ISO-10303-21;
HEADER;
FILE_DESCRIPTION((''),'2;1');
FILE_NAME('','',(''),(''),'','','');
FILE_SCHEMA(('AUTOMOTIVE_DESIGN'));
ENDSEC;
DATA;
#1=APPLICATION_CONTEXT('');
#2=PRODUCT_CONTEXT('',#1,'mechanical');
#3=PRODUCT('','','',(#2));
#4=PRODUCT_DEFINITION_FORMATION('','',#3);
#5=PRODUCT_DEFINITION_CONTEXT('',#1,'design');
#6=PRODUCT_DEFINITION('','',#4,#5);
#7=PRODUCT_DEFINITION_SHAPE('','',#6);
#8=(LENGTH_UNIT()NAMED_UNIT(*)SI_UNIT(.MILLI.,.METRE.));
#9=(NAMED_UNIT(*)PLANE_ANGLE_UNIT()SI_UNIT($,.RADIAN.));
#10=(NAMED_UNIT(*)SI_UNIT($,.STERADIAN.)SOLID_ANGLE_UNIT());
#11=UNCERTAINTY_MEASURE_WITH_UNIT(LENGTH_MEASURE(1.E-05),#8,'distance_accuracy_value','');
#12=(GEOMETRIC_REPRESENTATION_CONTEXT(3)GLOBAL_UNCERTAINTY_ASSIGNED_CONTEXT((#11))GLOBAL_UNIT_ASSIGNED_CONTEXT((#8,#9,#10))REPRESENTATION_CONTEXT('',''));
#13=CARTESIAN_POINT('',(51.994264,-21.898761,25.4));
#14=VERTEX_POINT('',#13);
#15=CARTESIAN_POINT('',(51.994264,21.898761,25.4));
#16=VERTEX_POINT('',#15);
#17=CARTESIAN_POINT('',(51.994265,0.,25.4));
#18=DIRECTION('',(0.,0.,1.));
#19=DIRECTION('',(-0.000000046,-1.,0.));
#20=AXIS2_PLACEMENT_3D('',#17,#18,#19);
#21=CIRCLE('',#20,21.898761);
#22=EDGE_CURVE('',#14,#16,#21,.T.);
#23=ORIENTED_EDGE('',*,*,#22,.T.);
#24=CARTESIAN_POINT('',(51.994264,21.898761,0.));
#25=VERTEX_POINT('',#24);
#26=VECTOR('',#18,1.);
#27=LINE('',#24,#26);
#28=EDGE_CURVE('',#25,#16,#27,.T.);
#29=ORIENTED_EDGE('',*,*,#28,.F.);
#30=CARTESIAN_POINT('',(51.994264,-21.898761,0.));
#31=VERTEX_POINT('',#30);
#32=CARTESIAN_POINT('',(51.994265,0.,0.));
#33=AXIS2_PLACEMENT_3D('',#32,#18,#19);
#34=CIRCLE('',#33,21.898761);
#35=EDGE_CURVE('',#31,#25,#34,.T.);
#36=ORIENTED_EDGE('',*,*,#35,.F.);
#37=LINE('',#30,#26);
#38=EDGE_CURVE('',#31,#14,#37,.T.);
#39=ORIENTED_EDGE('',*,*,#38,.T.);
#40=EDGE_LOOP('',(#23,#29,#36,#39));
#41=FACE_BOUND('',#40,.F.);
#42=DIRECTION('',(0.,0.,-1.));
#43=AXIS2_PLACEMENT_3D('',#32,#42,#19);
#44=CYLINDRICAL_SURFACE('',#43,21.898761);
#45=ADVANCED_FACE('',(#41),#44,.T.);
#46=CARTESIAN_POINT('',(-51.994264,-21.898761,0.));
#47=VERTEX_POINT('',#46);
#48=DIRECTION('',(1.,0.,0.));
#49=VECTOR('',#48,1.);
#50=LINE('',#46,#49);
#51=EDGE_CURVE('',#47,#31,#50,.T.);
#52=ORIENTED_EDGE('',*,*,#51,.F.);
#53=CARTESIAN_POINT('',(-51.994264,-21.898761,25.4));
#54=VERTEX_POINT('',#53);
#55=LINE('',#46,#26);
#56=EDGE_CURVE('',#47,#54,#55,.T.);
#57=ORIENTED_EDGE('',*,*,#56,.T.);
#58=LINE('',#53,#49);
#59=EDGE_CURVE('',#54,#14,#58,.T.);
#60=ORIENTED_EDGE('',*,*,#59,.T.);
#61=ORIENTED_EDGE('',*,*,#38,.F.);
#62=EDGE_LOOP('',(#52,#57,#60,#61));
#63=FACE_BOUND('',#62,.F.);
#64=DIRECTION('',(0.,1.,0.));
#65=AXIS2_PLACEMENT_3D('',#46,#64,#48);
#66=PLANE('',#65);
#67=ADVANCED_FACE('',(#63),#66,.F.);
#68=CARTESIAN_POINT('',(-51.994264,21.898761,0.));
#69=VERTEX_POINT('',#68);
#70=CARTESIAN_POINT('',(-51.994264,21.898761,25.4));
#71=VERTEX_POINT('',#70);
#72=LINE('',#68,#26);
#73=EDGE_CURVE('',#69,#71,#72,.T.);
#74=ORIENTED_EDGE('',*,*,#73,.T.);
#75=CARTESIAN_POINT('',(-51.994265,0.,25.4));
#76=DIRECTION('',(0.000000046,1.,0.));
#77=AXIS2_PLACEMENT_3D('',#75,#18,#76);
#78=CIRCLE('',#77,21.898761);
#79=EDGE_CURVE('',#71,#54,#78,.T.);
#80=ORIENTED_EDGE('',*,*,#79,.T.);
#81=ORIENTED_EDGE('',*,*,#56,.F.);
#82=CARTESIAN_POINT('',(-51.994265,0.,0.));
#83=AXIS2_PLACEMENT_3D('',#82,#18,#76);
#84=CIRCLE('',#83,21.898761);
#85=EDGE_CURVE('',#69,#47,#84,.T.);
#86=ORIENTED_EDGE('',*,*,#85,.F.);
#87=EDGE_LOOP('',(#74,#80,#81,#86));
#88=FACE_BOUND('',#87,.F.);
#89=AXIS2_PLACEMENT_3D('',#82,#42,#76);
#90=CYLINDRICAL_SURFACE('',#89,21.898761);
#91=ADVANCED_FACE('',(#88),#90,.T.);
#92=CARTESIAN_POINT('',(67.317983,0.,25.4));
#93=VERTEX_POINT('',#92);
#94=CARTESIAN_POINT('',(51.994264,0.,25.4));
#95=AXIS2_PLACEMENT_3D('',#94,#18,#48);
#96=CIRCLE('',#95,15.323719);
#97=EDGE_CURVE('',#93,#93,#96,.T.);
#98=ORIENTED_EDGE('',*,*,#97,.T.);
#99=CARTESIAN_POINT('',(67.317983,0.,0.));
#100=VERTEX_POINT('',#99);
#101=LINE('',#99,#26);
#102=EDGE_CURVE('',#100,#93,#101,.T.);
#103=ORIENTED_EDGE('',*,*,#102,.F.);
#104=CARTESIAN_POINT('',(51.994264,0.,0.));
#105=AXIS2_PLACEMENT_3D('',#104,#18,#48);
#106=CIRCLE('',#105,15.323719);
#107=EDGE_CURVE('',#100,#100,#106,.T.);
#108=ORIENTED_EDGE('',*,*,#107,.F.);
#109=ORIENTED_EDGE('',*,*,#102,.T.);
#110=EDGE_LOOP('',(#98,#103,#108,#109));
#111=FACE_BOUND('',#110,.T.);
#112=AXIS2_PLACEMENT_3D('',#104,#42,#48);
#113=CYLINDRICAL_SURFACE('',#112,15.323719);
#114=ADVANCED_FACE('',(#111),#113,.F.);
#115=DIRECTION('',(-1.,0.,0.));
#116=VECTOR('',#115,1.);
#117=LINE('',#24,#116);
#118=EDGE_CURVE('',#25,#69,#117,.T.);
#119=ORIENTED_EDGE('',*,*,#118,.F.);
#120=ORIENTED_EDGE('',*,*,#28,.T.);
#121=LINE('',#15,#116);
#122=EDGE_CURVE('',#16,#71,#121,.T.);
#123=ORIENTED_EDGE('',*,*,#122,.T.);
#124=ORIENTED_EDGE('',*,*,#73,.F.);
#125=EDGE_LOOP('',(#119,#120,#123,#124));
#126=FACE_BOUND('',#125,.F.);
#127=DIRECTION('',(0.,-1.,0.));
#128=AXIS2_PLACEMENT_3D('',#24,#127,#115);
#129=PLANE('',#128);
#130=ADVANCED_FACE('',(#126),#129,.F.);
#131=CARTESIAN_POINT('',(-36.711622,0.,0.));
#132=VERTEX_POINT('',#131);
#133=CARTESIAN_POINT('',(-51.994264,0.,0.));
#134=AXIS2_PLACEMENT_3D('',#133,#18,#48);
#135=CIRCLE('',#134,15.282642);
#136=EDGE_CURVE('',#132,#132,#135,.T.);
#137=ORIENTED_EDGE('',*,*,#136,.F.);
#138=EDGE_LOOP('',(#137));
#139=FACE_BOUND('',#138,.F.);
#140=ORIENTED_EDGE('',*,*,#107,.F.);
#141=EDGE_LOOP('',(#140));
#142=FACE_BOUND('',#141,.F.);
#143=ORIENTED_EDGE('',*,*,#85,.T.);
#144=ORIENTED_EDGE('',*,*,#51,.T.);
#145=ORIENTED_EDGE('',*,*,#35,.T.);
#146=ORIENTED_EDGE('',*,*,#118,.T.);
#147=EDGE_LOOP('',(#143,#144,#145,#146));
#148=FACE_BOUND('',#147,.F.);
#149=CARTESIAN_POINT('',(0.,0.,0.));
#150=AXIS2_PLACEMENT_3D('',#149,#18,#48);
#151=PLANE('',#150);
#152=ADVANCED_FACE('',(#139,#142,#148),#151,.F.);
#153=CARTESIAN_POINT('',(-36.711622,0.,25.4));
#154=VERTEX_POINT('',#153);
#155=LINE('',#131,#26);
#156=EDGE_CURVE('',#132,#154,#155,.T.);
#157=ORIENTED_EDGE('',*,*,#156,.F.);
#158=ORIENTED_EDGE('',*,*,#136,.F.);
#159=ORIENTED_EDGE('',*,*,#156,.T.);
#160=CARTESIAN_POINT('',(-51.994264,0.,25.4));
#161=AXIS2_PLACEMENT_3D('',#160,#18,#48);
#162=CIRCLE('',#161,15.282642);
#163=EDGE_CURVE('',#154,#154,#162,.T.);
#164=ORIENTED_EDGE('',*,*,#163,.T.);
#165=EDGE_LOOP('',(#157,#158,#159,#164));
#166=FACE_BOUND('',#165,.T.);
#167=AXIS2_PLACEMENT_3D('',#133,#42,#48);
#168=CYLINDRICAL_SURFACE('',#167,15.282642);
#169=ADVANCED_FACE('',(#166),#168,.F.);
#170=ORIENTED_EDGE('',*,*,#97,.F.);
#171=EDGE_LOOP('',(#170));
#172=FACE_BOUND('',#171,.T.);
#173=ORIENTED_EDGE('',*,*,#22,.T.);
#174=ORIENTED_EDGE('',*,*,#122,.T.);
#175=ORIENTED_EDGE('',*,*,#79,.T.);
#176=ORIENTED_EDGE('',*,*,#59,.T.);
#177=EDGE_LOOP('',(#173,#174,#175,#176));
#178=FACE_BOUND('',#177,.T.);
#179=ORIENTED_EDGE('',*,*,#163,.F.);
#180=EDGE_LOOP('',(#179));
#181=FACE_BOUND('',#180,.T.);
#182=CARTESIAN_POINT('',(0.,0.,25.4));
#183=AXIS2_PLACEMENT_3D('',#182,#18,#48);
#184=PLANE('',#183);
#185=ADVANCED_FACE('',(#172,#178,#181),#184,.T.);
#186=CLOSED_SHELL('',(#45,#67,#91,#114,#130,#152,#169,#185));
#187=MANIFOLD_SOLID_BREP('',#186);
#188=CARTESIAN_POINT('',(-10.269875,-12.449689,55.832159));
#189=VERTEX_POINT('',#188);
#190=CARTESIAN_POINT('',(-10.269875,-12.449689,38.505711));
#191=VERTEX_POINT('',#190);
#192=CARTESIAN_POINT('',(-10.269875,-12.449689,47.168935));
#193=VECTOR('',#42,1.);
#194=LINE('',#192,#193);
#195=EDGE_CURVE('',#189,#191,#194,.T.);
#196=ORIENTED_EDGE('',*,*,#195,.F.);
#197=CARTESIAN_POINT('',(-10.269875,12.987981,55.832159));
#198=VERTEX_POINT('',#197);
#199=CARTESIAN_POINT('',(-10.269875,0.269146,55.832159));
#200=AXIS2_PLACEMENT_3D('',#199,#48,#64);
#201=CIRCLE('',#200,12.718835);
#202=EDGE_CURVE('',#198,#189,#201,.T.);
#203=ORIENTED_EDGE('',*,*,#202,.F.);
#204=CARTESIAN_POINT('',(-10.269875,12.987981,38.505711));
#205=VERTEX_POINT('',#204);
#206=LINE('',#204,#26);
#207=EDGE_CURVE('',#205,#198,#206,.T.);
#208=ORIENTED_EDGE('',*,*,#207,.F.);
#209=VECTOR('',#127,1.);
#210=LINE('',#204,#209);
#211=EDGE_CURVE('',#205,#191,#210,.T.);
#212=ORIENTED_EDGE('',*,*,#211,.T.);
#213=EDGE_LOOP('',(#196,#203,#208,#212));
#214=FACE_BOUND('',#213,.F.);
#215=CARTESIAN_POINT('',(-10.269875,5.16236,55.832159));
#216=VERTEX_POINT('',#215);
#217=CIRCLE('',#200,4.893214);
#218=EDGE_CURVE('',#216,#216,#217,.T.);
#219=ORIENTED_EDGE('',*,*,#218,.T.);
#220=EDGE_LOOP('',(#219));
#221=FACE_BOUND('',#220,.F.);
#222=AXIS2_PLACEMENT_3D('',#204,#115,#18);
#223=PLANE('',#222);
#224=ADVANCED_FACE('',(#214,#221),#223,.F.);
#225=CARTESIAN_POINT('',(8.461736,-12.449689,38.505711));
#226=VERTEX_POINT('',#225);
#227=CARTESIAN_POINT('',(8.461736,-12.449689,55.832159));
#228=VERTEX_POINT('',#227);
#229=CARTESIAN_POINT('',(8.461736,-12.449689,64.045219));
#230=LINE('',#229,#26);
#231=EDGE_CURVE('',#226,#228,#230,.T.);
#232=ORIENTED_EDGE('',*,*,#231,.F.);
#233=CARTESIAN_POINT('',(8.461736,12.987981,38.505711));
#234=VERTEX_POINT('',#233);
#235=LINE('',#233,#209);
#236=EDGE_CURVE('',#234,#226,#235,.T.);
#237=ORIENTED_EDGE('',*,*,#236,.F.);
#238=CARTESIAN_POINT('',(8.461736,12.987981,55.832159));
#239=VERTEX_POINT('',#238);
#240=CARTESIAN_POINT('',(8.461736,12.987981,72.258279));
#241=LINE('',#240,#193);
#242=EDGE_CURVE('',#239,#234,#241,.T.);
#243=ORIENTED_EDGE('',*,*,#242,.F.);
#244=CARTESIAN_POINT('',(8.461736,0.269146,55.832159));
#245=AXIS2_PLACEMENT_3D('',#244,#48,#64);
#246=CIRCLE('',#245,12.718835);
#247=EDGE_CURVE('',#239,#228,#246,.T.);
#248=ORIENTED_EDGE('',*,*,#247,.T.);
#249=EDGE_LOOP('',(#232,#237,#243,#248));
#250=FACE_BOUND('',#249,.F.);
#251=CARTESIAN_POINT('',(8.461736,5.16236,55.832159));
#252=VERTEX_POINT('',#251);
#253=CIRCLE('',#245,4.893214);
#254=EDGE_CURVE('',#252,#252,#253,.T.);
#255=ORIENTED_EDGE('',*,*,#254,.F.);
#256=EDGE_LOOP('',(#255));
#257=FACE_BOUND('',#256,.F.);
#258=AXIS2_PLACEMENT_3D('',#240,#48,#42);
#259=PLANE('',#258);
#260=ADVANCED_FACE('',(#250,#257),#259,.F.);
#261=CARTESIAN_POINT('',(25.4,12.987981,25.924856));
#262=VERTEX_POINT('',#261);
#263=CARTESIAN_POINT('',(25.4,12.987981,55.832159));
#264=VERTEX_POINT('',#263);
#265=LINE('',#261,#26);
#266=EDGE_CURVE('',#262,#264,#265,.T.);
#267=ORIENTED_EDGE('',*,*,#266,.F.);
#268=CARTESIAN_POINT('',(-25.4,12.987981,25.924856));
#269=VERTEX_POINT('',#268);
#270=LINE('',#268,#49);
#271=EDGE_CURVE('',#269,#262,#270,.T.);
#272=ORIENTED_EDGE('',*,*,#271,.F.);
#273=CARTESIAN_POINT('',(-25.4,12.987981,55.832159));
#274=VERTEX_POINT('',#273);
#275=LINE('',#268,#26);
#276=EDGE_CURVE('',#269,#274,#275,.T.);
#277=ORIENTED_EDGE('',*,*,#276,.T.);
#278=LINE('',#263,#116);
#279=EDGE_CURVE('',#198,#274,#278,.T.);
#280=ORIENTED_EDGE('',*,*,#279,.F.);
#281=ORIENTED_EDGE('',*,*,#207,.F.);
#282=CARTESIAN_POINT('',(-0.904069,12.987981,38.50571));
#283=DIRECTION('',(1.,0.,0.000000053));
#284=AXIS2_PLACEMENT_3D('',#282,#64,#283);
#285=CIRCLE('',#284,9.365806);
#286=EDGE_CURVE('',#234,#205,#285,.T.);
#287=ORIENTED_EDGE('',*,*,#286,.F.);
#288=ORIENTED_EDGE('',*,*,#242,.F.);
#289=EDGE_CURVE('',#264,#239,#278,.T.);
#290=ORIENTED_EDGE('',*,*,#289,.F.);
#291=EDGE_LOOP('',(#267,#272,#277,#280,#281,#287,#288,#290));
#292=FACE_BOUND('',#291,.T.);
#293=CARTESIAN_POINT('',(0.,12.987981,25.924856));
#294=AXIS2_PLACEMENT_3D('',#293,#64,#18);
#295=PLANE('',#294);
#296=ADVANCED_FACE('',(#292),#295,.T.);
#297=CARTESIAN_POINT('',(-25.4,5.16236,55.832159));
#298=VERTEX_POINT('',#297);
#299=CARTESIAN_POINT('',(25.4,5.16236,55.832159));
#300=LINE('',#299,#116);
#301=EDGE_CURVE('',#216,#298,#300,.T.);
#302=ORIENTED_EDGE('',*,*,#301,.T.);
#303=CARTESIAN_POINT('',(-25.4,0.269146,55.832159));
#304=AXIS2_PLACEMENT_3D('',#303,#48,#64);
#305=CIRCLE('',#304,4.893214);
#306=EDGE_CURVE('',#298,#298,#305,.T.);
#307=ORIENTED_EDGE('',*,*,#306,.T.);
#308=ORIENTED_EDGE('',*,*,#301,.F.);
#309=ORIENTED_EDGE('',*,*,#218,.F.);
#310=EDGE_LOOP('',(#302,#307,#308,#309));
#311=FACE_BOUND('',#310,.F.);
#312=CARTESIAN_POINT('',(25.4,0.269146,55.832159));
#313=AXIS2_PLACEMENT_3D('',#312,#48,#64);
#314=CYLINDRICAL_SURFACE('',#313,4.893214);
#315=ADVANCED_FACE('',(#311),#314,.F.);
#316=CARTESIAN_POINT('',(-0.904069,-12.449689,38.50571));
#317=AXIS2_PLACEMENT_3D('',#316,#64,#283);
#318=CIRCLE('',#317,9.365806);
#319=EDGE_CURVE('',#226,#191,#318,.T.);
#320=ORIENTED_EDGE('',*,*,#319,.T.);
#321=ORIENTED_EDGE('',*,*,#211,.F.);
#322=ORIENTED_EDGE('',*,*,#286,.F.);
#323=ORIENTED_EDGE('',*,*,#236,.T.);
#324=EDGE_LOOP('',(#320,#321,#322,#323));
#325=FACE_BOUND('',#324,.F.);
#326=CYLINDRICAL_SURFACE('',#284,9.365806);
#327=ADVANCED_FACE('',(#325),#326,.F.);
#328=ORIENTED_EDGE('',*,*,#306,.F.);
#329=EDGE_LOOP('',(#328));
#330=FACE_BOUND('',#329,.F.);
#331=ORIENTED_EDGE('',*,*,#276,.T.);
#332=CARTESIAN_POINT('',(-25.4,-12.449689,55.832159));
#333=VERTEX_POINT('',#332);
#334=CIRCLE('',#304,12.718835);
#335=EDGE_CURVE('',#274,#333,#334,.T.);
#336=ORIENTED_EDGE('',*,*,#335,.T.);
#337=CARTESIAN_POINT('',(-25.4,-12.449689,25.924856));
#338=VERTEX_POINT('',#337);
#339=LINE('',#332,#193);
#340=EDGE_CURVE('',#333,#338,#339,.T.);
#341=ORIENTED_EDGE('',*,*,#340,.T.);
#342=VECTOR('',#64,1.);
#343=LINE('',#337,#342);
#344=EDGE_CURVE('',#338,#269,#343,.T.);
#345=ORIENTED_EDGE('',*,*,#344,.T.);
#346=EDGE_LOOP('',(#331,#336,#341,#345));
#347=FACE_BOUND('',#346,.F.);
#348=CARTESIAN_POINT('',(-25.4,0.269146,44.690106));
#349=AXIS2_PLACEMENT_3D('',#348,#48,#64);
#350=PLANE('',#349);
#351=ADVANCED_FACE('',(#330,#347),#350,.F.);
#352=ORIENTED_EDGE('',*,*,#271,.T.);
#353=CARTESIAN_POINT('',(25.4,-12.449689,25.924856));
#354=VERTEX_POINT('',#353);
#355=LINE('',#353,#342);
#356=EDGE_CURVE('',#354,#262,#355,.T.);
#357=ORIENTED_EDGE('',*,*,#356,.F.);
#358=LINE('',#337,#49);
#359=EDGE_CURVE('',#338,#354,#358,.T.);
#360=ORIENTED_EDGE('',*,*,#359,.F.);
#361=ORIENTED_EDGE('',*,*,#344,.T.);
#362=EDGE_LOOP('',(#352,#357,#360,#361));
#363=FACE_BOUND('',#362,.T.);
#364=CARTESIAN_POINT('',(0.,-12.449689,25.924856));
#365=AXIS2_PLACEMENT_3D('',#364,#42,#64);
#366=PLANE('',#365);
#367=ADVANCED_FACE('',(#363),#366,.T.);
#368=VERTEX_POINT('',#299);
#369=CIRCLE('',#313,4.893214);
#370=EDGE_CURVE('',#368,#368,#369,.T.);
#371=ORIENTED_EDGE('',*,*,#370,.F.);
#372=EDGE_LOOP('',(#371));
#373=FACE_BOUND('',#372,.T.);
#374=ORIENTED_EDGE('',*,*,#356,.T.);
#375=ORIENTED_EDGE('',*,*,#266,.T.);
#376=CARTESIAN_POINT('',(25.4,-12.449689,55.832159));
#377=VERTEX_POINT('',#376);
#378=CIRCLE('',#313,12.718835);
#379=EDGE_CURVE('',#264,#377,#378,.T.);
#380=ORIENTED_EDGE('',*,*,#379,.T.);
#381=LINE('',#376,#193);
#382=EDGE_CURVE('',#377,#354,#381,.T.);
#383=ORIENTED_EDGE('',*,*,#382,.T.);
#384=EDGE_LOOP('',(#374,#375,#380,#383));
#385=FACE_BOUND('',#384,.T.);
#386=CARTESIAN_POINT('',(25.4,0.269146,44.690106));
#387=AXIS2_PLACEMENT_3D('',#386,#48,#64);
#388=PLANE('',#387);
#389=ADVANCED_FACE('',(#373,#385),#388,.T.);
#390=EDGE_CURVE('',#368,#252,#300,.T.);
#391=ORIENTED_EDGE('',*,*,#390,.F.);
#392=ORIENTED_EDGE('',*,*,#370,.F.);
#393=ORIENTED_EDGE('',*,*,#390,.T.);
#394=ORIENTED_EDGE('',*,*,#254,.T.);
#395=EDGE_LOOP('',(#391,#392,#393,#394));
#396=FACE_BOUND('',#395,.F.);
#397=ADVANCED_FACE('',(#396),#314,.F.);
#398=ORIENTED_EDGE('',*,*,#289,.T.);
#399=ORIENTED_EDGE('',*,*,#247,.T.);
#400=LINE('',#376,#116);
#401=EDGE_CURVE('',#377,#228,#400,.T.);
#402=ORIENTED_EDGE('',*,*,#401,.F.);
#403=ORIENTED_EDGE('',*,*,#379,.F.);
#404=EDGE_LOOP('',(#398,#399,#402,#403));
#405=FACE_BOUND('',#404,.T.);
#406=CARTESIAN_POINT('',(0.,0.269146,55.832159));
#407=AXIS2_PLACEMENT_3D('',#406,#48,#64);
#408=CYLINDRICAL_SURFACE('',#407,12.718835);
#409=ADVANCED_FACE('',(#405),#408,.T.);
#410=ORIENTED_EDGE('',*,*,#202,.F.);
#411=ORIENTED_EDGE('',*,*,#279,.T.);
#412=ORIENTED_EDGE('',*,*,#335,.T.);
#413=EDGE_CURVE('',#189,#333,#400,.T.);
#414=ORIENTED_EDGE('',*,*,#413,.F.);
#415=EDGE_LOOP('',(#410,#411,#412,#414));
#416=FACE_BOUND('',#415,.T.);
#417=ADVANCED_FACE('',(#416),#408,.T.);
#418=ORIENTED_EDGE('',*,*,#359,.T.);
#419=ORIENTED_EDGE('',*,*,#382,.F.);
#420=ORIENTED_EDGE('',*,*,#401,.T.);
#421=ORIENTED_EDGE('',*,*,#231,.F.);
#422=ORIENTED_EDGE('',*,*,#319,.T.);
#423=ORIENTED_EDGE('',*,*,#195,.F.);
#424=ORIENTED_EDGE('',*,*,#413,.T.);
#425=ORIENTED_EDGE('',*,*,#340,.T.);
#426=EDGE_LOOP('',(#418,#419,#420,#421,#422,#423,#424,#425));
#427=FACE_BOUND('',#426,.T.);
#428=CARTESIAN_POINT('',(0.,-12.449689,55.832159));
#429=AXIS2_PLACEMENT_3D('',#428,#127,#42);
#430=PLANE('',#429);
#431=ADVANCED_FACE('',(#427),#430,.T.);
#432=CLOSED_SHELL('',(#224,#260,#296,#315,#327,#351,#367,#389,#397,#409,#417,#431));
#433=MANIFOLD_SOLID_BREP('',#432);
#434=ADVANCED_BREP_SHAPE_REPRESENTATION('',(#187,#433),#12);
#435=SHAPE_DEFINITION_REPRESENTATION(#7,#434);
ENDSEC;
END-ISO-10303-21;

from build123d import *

# Parameters (mm, degrees)
F0_R     = 15.282642
F0_R_2   = 15.323719
F1_DEPTH = 25.4
F3_DEPTH = 25.4
F4_R     = 4.893214
F5_DEPTH = 50.8
F7_DEPTH = 50.8


with BuildPart() as f1:
    # F0 (on Top) → F1 (new body)
    with BuildSketch(Plane.XY):
        with BuildLine():
            ThreePointArc((51.994264, -21.898761), (73.893026, 0), (51.994264, 21.898761))
            Line((51.994264, 21.898761), (-51.994264, 21.898761))
            ThreePointArc((-51.994264, 21.898761), (-73.893026, 0), (-51.994264, -21.898761))
            Line((-51.994264, -21.898761), (51.994264, -21.898761))
        make_face()
        with Locations((-51.994264, 0)):
            Circle(F0_R, mode=Mode.SUBTRACT)
        with Locations((51.994264, 0)):
            Circle(F0_R_2, mode=Mode.SUBTRACT)
    extrude(amount=F1_DEPTH)


with BuildPart() as f3:
    # F2 (on Right) → F3 (new body, symmetric)
    with BuildSketch(Plane.YZ):
        with BuildLine():
            Line((-12.449689, 55.832159), (-12.449689, 25.924856))
            Line((-12.449689, 25.924856), (12.987981, 25.924856))
            Line((12.987981, 25.924856), (12.987981, 55.832159))
            ThreePointArc((12.987981, 55.832159), (0.269146, 68.550994), (-12.449689, 55.832159))
        make_face()
    extrude(amount=F3_DEPTH, both=True)

    # F4 (on face) → F5 (cut)
    with BuildSketch(Plane.YZ.offset(25.4)):
        with Locations((0.269146, 55.832159)):
            Circle(F4_R)
    extrude(amount=-F5_DEPTH, mode=Mode.SUBTRACT)

    # F6 (on face) → F7 (cut)
    with BuildSketch(Plane(origin=(0, 12.987981, 0), x_dir=(-1, 0, 0), z_dir=(0, 1, 0))):
        with BuildLine():
            Line((10.269875, 72.258279), (-8.461736, 72.258279))
            Line((-8.461736, 72.258279), (-8.461736, 38.505711))
            ThreePointArc((-8.461736, 38.505711), (0.904069, 29.139905), (10.269875, 38.505711))
            Line((10.269875, 38.505711), (10.269875, 72.258279))
        make_face()
    extrude(amount=-F7_DEPTH, mode=Mode.SUBTRACT)


solid = Compound([f1.part, f3.part])
